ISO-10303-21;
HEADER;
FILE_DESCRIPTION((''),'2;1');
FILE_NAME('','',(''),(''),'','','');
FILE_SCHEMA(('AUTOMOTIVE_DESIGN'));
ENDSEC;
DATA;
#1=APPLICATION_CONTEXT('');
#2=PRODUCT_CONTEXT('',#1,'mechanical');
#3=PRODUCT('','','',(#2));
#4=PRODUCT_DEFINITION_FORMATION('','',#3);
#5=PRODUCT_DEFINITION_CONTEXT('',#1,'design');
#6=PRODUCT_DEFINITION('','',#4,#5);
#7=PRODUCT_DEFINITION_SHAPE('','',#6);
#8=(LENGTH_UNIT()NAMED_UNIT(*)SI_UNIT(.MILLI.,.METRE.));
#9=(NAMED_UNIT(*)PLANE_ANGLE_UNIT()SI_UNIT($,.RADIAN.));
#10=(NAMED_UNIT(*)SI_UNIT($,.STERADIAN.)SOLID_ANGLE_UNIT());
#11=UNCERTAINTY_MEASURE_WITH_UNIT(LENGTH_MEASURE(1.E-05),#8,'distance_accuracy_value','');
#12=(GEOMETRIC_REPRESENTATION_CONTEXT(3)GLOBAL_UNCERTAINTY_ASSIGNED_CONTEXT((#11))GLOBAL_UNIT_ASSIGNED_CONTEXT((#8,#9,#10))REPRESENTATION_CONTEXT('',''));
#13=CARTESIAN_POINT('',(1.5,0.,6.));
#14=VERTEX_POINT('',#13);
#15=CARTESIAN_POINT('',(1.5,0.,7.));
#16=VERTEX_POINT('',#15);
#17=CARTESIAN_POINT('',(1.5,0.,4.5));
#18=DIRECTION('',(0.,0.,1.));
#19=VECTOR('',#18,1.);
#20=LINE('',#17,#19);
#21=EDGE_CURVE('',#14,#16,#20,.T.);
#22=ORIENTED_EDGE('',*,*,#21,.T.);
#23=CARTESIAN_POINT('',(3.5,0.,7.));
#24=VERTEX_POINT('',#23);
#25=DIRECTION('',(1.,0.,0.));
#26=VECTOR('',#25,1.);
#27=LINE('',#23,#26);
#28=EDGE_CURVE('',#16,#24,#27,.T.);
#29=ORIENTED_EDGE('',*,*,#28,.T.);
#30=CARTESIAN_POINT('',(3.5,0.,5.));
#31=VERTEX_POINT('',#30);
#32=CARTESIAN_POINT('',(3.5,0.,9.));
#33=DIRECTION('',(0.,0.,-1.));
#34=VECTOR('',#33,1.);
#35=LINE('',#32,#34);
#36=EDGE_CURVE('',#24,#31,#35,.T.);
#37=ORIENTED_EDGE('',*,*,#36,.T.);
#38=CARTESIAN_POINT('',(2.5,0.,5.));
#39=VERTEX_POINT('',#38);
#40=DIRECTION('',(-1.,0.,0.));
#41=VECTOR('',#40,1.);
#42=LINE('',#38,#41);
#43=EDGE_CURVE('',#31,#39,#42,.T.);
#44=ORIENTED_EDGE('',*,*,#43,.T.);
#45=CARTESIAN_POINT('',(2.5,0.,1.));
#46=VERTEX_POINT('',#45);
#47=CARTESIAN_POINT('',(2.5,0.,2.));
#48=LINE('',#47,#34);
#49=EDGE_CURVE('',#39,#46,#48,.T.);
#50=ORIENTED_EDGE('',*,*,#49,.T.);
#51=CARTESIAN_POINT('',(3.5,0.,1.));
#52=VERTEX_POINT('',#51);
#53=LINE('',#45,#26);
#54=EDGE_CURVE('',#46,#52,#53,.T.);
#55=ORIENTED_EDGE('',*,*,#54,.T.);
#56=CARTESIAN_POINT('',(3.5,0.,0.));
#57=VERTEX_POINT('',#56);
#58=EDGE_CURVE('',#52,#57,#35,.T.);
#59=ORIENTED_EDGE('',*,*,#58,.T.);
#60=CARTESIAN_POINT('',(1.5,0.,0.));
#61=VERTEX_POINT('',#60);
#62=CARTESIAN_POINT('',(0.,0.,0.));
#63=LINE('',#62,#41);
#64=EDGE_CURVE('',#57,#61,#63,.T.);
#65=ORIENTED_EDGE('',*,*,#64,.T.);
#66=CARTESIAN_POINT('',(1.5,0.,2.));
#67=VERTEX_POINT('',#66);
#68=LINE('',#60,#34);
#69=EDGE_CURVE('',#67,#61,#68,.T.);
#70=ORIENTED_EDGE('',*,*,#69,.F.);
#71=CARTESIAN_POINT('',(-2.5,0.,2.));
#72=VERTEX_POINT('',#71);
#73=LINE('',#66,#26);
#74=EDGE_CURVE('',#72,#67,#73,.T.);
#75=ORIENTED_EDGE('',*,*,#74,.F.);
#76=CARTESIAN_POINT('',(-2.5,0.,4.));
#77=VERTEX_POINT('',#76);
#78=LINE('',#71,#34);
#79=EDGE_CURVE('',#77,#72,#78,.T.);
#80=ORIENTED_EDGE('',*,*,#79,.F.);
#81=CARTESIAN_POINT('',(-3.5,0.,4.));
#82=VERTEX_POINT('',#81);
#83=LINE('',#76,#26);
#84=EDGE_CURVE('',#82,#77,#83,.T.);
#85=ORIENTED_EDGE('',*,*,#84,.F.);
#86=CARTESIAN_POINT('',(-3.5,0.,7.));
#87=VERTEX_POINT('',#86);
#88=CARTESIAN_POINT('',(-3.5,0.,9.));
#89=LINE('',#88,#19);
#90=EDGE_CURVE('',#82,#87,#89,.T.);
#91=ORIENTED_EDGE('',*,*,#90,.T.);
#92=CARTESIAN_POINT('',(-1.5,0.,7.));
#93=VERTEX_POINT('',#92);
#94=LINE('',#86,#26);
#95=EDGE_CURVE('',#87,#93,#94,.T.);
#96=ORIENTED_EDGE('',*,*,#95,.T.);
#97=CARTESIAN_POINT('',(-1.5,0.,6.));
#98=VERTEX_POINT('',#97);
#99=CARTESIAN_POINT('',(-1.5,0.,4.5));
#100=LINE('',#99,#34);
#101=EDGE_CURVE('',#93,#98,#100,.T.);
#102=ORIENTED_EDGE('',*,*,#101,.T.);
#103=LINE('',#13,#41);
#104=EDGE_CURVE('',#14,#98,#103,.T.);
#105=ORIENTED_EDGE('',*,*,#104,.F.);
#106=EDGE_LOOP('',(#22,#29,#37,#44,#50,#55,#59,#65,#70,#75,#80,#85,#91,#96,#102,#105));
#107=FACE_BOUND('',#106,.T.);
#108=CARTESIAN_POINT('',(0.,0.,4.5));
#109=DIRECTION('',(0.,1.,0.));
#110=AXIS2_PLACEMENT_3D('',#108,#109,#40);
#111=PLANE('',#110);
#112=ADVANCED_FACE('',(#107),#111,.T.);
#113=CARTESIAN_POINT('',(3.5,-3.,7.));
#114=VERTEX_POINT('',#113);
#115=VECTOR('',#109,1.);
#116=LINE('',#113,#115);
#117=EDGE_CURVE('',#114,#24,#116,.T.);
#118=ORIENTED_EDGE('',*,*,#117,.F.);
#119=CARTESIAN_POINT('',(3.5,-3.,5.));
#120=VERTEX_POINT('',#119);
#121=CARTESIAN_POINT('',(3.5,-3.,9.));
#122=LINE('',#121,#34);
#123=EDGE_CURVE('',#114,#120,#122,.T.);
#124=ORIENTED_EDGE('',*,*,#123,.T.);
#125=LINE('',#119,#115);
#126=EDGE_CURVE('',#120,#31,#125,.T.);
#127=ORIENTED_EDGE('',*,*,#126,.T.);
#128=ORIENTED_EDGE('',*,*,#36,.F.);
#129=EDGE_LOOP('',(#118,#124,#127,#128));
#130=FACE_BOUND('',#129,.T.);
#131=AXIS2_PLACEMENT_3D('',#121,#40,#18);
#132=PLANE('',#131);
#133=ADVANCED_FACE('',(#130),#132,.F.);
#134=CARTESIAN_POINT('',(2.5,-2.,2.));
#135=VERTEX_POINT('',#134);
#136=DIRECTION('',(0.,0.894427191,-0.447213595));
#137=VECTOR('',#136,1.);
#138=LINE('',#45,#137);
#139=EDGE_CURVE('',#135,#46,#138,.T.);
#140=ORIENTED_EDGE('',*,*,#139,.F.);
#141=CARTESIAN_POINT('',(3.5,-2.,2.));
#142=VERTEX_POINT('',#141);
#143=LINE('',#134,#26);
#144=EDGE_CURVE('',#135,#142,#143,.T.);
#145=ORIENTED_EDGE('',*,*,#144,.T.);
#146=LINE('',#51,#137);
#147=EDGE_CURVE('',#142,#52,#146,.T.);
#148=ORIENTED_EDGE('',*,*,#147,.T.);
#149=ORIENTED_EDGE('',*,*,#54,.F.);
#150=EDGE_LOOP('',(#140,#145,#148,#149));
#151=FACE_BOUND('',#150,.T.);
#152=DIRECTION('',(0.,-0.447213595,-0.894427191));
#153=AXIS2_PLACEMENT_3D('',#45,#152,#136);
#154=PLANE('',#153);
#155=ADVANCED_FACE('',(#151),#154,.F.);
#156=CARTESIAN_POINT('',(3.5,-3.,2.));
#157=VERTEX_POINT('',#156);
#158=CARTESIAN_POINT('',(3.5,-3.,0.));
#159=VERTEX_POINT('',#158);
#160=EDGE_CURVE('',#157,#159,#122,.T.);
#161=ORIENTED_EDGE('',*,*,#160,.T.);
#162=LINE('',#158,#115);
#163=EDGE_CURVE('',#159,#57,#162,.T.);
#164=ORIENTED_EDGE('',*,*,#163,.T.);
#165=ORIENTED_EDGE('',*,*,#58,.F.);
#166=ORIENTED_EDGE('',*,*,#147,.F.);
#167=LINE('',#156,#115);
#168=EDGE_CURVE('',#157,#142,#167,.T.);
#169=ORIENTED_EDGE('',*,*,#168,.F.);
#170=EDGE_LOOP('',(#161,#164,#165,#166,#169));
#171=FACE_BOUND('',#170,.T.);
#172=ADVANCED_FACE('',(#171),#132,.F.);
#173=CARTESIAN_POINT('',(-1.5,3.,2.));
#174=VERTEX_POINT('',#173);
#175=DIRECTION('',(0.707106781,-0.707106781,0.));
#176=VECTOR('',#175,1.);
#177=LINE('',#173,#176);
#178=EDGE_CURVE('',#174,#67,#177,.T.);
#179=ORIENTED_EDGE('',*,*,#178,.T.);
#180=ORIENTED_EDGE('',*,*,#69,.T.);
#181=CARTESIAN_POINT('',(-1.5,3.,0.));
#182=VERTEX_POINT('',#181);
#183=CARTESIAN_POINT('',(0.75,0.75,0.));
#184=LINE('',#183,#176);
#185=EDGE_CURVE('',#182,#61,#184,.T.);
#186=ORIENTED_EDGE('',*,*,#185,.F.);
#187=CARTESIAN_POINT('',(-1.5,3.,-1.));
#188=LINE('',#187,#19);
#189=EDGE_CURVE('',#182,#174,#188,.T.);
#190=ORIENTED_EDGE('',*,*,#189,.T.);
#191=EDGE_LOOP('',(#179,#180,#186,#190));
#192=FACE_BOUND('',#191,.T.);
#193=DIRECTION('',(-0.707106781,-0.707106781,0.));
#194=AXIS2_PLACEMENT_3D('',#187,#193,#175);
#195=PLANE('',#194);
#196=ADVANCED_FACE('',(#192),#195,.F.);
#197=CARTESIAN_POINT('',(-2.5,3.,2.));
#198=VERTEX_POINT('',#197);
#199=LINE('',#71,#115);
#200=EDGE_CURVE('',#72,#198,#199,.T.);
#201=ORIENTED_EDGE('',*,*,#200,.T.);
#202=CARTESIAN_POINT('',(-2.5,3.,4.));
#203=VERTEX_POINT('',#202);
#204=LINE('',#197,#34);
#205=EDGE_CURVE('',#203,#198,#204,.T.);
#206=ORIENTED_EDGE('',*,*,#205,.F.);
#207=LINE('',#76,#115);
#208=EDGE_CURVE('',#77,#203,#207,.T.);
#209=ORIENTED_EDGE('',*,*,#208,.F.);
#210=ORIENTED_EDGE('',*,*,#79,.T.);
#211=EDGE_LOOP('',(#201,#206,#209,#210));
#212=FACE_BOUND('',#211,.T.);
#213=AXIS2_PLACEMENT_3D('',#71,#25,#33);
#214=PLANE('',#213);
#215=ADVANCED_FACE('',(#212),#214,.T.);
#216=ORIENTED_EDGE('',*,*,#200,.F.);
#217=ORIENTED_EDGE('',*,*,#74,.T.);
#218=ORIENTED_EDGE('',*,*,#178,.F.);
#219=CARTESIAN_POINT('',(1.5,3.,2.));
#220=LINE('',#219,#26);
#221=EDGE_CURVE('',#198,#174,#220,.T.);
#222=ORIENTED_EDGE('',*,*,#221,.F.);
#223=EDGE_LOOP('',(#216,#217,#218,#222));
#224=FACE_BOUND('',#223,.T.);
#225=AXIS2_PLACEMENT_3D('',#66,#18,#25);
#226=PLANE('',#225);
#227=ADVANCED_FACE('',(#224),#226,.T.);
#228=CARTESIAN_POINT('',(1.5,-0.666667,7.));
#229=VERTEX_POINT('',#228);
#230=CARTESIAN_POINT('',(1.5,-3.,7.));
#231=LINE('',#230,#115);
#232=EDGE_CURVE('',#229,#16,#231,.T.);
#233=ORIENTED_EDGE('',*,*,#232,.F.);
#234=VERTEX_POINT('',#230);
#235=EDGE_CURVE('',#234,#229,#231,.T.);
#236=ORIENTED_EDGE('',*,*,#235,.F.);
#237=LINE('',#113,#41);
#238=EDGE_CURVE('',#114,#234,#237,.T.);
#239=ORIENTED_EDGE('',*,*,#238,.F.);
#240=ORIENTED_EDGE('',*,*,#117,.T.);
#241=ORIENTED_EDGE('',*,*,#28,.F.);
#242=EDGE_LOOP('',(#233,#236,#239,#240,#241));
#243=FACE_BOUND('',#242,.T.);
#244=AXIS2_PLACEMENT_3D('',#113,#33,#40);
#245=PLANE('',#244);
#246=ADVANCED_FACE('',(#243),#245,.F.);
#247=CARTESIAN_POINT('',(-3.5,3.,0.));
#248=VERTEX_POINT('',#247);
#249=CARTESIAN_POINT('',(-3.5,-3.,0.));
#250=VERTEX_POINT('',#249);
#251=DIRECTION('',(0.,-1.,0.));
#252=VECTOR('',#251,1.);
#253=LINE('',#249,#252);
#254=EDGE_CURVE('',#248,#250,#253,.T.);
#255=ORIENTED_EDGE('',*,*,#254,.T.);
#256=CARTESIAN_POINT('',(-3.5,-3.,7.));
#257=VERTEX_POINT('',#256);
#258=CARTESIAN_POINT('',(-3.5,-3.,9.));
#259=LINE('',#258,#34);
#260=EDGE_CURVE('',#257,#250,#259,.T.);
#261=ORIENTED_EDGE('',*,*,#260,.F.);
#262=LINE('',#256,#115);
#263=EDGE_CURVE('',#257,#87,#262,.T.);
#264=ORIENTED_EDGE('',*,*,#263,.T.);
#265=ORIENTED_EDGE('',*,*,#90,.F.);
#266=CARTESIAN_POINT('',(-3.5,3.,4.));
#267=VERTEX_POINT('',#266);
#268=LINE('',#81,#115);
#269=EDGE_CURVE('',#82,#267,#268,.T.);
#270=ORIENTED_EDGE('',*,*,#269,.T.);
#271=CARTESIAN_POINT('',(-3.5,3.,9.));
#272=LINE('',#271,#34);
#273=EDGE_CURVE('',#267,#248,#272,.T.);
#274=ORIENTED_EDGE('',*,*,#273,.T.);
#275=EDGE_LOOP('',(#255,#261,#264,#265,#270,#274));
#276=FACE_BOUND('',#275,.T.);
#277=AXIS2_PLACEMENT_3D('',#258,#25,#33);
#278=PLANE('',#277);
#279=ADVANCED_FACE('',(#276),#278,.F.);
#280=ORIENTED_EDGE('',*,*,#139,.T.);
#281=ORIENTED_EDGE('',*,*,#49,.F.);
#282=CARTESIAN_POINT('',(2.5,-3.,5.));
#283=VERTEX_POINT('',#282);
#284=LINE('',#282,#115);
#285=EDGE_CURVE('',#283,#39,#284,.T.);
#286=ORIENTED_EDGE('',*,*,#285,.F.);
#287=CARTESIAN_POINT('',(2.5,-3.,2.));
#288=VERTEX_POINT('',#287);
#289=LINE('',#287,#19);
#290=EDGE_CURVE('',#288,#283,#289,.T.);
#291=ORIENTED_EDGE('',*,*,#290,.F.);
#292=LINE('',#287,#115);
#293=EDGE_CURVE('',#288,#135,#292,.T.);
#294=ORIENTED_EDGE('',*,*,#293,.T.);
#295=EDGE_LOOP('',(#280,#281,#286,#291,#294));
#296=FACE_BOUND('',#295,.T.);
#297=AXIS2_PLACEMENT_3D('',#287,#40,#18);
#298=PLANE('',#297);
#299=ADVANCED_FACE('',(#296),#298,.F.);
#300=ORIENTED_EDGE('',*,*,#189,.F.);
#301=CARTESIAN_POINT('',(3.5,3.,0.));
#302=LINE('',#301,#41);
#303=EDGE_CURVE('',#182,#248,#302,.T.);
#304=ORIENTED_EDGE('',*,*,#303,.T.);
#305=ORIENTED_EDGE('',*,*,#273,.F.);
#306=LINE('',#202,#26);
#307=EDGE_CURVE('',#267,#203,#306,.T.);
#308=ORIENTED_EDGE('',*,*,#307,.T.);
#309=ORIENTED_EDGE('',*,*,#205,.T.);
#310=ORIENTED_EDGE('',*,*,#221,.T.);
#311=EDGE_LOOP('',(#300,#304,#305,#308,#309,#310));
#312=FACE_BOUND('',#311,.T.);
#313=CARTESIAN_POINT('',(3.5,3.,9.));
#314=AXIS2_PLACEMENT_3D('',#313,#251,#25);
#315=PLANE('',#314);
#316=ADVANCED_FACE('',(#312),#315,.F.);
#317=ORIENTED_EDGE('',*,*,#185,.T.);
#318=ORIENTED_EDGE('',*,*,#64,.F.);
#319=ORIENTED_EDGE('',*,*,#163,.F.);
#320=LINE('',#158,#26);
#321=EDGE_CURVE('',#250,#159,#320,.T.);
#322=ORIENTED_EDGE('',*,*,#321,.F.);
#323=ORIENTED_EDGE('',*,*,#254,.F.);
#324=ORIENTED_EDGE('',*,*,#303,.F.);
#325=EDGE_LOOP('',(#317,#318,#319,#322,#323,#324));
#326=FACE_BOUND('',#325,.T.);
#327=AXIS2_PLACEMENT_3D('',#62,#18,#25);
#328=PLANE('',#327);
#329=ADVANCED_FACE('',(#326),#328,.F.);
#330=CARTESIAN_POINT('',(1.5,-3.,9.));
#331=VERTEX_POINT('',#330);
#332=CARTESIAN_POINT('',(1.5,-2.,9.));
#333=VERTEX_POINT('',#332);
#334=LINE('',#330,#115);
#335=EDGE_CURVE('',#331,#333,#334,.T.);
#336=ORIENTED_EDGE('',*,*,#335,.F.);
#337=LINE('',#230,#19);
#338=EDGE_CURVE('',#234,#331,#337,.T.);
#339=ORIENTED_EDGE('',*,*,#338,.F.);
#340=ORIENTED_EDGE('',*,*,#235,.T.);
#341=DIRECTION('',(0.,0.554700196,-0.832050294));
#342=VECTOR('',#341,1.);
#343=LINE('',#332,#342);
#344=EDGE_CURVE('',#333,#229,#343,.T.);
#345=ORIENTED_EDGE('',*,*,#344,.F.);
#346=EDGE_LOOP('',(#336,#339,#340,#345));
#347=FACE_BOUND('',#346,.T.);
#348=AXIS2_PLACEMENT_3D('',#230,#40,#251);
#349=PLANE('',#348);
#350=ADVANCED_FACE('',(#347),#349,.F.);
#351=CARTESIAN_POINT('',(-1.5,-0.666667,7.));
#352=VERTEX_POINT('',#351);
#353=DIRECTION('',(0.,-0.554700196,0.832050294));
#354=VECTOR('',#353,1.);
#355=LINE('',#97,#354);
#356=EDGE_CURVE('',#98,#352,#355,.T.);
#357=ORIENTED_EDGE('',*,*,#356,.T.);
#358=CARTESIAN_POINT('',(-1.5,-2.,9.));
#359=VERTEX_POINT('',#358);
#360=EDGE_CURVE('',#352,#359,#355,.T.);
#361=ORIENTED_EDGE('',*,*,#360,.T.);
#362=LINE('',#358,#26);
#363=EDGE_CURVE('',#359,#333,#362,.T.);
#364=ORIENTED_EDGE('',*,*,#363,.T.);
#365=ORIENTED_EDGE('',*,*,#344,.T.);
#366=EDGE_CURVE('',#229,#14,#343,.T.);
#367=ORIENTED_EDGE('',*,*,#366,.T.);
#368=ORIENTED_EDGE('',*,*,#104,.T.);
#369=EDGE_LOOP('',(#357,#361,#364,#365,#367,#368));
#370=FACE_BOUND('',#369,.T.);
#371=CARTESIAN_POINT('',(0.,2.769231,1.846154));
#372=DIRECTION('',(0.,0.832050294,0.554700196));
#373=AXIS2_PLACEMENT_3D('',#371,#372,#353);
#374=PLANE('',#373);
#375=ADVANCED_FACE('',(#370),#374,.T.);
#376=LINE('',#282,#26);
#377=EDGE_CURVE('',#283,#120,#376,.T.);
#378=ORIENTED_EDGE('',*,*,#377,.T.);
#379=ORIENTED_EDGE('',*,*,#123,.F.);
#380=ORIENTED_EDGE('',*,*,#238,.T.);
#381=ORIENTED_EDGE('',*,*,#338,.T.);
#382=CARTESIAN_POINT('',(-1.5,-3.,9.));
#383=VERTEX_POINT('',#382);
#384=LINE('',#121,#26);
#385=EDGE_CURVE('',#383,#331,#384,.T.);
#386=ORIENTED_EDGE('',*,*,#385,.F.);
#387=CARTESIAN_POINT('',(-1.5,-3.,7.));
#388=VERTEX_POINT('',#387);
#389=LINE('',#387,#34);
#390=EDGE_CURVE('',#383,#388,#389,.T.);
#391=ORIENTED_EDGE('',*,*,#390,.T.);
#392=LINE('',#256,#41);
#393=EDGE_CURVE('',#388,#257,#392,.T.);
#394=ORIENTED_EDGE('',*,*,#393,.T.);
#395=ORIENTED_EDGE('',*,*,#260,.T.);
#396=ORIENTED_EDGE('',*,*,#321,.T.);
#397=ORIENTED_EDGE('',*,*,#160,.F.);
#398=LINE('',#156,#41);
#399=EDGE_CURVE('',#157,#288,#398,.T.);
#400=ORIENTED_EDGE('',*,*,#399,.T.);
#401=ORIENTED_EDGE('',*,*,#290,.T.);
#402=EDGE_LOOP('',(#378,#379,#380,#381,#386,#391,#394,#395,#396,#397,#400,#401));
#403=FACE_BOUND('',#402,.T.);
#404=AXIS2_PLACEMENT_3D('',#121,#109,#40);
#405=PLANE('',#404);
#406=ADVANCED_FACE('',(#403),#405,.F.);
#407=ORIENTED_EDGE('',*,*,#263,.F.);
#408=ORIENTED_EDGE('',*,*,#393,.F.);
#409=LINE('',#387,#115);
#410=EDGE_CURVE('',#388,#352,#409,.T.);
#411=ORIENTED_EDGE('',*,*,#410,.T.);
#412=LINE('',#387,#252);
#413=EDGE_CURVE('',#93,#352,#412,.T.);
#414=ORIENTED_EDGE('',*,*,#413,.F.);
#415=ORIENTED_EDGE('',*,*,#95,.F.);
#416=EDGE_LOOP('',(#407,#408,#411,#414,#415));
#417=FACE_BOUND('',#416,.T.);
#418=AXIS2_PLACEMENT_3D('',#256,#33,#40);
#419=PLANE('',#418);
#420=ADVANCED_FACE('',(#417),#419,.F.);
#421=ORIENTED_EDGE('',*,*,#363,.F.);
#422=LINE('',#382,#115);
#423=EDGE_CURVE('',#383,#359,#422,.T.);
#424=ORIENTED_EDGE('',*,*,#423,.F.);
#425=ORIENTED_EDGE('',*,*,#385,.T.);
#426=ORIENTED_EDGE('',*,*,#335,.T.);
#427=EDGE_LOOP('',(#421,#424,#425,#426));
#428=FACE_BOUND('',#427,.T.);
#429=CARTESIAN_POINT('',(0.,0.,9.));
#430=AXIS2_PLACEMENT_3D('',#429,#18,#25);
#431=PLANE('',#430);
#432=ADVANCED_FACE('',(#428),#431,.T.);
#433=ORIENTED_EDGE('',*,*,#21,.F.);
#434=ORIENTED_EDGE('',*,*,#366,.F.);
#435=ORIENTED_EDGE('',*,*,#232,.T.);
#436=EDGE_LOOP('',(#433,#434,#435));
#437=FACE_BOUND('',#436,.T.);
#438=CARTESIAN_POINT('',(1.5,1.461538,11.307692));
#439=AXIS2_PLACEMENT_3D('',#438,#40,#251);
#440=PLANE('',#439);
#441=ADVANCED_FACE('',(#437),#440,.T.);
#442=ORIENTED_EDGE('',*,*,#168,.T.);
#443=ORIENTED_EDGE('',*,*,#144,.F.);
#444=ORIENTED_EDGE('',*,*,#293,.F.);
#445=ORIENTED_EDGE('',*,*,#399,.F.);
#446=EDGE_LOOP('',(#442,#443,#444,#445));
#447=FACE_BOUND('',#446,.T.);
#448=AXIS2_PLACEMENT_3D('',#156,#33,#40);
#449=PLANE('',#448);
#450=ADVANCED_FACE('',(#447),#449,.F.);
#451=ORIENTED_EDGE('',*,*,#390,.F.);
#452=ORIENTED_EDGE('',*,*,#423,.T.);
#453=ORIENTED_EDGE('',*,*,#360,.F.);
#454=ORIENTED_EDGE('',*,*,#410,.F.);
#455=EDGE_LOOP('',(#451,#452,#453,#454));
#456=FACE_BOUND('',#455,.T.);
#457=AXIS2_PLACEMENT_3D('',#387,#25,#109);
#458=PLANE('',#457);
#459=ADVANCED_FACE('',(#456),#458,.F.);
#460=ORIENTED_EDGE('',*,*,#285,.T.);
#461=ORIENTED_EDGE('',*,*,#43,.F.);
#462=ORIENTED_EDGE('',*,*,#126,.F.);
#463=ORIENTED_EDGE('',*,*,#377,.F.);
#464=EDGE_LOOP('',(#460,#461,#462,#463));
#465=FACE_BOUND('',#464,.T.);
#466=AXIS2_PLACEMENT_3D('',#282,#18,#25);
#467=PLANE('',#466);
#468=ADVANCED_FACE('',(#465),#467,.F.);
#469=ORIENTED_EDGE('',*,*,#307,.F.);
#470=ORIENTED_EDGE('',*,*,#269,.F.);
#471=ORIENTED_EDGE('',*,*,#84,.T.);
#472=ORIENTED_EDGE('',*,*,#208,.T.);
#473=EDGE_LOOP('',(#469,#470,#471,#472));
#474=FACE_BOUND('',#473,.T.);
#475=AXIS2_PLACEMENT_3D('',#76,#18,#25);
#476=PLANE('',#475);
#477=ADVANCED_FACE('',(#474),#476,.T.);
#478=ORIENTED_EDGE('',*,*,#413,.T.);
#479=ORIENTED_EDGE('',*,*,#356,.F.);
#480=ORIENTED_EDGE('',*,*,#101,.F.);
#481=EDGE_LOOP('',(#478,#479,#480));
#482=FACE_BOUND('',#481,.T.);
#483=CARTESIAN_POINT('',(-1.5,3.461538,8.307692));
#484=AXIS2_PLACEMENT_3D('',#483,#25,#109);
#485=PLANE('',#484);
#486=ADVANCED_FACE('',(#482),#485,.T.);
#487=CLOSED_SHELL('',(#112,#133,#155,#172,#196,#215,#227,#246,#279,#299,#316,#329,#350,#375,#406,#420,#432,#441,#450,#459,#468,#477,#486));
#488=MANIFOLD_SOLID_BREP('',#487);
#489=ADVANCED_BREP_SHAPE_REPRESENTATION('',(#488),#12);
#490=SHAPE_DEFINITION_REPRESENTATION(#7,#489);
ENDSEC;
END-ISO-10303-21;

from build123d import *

# Parameters (mm, degrees)
SKETCH1_W           = 7
SKETCH1_H           = 6
BOSS_EXTRUDE1_DEPTH = 9
SKETCH2_W           = 2
SKETCH2_H           = 2
SKETCH2_W_2         = 1
SKETCH2_H_2         = 3
CUT_EXTRUDE1_DEPTH  = 7
SKETCH3_OUTSIDE_W   = 11.576
SKETCH3_OUTSIDE_H   = 13.576
CUT_EXTRUDE3_DEPTH  = 3
CUT_EXTRUDE4_DEPTH  = 3
CUT_EXTRUDE5_DEPTH  = 1
SKETCH8_W           = 3
SKETCH8_H           = 3.605551275
CUT_EXTRUDE6_DEPTH  = 5.160251472


with BuildPart() as part:
    # Sketch1 → Boss-Extrude1 (new body)
    with BuildSketch(Plane.XY):
        Rectangle(SKETCH1_W, SKETCH1_H)
    extrude(amount=BOSS_EXTRUDE1_DEPTH)

    # Sketch2 → Cut-Extrude1 (cut, through all)
    with BuildSketch(Plane(origin=(0, 3, 0), x_dir=(1, 0, 0), z_dir=(0, 1, 0))):
        with Locations((-2.5, -8)):
            Rectangle(SKETCH2_W, SKETCH2_H)
        with Locations((2.5, -8)):
            Rectangle(SKETCH2_W, SKETCH2_H)
        with Locations((3, -3.5)):
            Rectangle(SKETCH2_W_2, SKETCH2_H_2)
    extrude(amount=-CUT_EXTRUDE1_DEPTH, mode=Mode.SUBTRACT)

    # Sketch3 outside → Cut-Extrude3 (cut)
    with BuildSketch(Plane(origin=(0, 3, 0), x_dir=(1, 0, 0), z_dir=(0, 1, 0))):
        with Locations((0, -4.5)):
            Rectangle(SKETCH3_OUTSIDE_W, SKETCH3_OUTSIDE_H)
        Polygon((1.5, 0), (1.5, -2), (-2.5, -2), (-2.5, -4), (-3.5, -4), (-3.5, 0), align=None, mode=Mode.SUBTRACT)
    extrude(amount=-CUT_EXTRUDE3_DEPTH, mode=Mode.SUBTRACT)

    # Sketch4 → Cut-Extrude4 (cut)
    with BuildSketch(Plane.XY.offset(2)):
        Polygon((-1.5, 3), (1.5, 0), (1.5, 3), align=None)
    extrude(amount=-CUT_EXTRUDE4_DEPTH, mode=Mode.SUBTRACT)

    # Sketch5 → Cut-Extrude5 (cut)
    with BuildSketch(Plane(origin=(3.5, 0, 0), x_dir=(0, 0, -1), z_dir=(1, 0, 0))):
        Polygon((-1, 0), (-2, -2), (-2, 0), align=None)
    extrude(amount=-CUT_EXTRUDE5_DEPTH, mode=Mode.SUBTRACT)

    # Sketch8 → Cut-Extrude6 (cut, through all)
    with BuildSketch(Plane(origin=(0, 2.769230769, 1.846153846), x_dir=(1, 0, 0), z_dir=(0, 0.832050294, 0.554700196))):
        with Locations((0, -6.795077404)):
            Rectangle(SKETCH8_W, SKETCH8_H)
    extrude(amount=CUT_EXTRUDE6_DEPTH, mode=Mode.SUBTRACT)


solid = part.part
